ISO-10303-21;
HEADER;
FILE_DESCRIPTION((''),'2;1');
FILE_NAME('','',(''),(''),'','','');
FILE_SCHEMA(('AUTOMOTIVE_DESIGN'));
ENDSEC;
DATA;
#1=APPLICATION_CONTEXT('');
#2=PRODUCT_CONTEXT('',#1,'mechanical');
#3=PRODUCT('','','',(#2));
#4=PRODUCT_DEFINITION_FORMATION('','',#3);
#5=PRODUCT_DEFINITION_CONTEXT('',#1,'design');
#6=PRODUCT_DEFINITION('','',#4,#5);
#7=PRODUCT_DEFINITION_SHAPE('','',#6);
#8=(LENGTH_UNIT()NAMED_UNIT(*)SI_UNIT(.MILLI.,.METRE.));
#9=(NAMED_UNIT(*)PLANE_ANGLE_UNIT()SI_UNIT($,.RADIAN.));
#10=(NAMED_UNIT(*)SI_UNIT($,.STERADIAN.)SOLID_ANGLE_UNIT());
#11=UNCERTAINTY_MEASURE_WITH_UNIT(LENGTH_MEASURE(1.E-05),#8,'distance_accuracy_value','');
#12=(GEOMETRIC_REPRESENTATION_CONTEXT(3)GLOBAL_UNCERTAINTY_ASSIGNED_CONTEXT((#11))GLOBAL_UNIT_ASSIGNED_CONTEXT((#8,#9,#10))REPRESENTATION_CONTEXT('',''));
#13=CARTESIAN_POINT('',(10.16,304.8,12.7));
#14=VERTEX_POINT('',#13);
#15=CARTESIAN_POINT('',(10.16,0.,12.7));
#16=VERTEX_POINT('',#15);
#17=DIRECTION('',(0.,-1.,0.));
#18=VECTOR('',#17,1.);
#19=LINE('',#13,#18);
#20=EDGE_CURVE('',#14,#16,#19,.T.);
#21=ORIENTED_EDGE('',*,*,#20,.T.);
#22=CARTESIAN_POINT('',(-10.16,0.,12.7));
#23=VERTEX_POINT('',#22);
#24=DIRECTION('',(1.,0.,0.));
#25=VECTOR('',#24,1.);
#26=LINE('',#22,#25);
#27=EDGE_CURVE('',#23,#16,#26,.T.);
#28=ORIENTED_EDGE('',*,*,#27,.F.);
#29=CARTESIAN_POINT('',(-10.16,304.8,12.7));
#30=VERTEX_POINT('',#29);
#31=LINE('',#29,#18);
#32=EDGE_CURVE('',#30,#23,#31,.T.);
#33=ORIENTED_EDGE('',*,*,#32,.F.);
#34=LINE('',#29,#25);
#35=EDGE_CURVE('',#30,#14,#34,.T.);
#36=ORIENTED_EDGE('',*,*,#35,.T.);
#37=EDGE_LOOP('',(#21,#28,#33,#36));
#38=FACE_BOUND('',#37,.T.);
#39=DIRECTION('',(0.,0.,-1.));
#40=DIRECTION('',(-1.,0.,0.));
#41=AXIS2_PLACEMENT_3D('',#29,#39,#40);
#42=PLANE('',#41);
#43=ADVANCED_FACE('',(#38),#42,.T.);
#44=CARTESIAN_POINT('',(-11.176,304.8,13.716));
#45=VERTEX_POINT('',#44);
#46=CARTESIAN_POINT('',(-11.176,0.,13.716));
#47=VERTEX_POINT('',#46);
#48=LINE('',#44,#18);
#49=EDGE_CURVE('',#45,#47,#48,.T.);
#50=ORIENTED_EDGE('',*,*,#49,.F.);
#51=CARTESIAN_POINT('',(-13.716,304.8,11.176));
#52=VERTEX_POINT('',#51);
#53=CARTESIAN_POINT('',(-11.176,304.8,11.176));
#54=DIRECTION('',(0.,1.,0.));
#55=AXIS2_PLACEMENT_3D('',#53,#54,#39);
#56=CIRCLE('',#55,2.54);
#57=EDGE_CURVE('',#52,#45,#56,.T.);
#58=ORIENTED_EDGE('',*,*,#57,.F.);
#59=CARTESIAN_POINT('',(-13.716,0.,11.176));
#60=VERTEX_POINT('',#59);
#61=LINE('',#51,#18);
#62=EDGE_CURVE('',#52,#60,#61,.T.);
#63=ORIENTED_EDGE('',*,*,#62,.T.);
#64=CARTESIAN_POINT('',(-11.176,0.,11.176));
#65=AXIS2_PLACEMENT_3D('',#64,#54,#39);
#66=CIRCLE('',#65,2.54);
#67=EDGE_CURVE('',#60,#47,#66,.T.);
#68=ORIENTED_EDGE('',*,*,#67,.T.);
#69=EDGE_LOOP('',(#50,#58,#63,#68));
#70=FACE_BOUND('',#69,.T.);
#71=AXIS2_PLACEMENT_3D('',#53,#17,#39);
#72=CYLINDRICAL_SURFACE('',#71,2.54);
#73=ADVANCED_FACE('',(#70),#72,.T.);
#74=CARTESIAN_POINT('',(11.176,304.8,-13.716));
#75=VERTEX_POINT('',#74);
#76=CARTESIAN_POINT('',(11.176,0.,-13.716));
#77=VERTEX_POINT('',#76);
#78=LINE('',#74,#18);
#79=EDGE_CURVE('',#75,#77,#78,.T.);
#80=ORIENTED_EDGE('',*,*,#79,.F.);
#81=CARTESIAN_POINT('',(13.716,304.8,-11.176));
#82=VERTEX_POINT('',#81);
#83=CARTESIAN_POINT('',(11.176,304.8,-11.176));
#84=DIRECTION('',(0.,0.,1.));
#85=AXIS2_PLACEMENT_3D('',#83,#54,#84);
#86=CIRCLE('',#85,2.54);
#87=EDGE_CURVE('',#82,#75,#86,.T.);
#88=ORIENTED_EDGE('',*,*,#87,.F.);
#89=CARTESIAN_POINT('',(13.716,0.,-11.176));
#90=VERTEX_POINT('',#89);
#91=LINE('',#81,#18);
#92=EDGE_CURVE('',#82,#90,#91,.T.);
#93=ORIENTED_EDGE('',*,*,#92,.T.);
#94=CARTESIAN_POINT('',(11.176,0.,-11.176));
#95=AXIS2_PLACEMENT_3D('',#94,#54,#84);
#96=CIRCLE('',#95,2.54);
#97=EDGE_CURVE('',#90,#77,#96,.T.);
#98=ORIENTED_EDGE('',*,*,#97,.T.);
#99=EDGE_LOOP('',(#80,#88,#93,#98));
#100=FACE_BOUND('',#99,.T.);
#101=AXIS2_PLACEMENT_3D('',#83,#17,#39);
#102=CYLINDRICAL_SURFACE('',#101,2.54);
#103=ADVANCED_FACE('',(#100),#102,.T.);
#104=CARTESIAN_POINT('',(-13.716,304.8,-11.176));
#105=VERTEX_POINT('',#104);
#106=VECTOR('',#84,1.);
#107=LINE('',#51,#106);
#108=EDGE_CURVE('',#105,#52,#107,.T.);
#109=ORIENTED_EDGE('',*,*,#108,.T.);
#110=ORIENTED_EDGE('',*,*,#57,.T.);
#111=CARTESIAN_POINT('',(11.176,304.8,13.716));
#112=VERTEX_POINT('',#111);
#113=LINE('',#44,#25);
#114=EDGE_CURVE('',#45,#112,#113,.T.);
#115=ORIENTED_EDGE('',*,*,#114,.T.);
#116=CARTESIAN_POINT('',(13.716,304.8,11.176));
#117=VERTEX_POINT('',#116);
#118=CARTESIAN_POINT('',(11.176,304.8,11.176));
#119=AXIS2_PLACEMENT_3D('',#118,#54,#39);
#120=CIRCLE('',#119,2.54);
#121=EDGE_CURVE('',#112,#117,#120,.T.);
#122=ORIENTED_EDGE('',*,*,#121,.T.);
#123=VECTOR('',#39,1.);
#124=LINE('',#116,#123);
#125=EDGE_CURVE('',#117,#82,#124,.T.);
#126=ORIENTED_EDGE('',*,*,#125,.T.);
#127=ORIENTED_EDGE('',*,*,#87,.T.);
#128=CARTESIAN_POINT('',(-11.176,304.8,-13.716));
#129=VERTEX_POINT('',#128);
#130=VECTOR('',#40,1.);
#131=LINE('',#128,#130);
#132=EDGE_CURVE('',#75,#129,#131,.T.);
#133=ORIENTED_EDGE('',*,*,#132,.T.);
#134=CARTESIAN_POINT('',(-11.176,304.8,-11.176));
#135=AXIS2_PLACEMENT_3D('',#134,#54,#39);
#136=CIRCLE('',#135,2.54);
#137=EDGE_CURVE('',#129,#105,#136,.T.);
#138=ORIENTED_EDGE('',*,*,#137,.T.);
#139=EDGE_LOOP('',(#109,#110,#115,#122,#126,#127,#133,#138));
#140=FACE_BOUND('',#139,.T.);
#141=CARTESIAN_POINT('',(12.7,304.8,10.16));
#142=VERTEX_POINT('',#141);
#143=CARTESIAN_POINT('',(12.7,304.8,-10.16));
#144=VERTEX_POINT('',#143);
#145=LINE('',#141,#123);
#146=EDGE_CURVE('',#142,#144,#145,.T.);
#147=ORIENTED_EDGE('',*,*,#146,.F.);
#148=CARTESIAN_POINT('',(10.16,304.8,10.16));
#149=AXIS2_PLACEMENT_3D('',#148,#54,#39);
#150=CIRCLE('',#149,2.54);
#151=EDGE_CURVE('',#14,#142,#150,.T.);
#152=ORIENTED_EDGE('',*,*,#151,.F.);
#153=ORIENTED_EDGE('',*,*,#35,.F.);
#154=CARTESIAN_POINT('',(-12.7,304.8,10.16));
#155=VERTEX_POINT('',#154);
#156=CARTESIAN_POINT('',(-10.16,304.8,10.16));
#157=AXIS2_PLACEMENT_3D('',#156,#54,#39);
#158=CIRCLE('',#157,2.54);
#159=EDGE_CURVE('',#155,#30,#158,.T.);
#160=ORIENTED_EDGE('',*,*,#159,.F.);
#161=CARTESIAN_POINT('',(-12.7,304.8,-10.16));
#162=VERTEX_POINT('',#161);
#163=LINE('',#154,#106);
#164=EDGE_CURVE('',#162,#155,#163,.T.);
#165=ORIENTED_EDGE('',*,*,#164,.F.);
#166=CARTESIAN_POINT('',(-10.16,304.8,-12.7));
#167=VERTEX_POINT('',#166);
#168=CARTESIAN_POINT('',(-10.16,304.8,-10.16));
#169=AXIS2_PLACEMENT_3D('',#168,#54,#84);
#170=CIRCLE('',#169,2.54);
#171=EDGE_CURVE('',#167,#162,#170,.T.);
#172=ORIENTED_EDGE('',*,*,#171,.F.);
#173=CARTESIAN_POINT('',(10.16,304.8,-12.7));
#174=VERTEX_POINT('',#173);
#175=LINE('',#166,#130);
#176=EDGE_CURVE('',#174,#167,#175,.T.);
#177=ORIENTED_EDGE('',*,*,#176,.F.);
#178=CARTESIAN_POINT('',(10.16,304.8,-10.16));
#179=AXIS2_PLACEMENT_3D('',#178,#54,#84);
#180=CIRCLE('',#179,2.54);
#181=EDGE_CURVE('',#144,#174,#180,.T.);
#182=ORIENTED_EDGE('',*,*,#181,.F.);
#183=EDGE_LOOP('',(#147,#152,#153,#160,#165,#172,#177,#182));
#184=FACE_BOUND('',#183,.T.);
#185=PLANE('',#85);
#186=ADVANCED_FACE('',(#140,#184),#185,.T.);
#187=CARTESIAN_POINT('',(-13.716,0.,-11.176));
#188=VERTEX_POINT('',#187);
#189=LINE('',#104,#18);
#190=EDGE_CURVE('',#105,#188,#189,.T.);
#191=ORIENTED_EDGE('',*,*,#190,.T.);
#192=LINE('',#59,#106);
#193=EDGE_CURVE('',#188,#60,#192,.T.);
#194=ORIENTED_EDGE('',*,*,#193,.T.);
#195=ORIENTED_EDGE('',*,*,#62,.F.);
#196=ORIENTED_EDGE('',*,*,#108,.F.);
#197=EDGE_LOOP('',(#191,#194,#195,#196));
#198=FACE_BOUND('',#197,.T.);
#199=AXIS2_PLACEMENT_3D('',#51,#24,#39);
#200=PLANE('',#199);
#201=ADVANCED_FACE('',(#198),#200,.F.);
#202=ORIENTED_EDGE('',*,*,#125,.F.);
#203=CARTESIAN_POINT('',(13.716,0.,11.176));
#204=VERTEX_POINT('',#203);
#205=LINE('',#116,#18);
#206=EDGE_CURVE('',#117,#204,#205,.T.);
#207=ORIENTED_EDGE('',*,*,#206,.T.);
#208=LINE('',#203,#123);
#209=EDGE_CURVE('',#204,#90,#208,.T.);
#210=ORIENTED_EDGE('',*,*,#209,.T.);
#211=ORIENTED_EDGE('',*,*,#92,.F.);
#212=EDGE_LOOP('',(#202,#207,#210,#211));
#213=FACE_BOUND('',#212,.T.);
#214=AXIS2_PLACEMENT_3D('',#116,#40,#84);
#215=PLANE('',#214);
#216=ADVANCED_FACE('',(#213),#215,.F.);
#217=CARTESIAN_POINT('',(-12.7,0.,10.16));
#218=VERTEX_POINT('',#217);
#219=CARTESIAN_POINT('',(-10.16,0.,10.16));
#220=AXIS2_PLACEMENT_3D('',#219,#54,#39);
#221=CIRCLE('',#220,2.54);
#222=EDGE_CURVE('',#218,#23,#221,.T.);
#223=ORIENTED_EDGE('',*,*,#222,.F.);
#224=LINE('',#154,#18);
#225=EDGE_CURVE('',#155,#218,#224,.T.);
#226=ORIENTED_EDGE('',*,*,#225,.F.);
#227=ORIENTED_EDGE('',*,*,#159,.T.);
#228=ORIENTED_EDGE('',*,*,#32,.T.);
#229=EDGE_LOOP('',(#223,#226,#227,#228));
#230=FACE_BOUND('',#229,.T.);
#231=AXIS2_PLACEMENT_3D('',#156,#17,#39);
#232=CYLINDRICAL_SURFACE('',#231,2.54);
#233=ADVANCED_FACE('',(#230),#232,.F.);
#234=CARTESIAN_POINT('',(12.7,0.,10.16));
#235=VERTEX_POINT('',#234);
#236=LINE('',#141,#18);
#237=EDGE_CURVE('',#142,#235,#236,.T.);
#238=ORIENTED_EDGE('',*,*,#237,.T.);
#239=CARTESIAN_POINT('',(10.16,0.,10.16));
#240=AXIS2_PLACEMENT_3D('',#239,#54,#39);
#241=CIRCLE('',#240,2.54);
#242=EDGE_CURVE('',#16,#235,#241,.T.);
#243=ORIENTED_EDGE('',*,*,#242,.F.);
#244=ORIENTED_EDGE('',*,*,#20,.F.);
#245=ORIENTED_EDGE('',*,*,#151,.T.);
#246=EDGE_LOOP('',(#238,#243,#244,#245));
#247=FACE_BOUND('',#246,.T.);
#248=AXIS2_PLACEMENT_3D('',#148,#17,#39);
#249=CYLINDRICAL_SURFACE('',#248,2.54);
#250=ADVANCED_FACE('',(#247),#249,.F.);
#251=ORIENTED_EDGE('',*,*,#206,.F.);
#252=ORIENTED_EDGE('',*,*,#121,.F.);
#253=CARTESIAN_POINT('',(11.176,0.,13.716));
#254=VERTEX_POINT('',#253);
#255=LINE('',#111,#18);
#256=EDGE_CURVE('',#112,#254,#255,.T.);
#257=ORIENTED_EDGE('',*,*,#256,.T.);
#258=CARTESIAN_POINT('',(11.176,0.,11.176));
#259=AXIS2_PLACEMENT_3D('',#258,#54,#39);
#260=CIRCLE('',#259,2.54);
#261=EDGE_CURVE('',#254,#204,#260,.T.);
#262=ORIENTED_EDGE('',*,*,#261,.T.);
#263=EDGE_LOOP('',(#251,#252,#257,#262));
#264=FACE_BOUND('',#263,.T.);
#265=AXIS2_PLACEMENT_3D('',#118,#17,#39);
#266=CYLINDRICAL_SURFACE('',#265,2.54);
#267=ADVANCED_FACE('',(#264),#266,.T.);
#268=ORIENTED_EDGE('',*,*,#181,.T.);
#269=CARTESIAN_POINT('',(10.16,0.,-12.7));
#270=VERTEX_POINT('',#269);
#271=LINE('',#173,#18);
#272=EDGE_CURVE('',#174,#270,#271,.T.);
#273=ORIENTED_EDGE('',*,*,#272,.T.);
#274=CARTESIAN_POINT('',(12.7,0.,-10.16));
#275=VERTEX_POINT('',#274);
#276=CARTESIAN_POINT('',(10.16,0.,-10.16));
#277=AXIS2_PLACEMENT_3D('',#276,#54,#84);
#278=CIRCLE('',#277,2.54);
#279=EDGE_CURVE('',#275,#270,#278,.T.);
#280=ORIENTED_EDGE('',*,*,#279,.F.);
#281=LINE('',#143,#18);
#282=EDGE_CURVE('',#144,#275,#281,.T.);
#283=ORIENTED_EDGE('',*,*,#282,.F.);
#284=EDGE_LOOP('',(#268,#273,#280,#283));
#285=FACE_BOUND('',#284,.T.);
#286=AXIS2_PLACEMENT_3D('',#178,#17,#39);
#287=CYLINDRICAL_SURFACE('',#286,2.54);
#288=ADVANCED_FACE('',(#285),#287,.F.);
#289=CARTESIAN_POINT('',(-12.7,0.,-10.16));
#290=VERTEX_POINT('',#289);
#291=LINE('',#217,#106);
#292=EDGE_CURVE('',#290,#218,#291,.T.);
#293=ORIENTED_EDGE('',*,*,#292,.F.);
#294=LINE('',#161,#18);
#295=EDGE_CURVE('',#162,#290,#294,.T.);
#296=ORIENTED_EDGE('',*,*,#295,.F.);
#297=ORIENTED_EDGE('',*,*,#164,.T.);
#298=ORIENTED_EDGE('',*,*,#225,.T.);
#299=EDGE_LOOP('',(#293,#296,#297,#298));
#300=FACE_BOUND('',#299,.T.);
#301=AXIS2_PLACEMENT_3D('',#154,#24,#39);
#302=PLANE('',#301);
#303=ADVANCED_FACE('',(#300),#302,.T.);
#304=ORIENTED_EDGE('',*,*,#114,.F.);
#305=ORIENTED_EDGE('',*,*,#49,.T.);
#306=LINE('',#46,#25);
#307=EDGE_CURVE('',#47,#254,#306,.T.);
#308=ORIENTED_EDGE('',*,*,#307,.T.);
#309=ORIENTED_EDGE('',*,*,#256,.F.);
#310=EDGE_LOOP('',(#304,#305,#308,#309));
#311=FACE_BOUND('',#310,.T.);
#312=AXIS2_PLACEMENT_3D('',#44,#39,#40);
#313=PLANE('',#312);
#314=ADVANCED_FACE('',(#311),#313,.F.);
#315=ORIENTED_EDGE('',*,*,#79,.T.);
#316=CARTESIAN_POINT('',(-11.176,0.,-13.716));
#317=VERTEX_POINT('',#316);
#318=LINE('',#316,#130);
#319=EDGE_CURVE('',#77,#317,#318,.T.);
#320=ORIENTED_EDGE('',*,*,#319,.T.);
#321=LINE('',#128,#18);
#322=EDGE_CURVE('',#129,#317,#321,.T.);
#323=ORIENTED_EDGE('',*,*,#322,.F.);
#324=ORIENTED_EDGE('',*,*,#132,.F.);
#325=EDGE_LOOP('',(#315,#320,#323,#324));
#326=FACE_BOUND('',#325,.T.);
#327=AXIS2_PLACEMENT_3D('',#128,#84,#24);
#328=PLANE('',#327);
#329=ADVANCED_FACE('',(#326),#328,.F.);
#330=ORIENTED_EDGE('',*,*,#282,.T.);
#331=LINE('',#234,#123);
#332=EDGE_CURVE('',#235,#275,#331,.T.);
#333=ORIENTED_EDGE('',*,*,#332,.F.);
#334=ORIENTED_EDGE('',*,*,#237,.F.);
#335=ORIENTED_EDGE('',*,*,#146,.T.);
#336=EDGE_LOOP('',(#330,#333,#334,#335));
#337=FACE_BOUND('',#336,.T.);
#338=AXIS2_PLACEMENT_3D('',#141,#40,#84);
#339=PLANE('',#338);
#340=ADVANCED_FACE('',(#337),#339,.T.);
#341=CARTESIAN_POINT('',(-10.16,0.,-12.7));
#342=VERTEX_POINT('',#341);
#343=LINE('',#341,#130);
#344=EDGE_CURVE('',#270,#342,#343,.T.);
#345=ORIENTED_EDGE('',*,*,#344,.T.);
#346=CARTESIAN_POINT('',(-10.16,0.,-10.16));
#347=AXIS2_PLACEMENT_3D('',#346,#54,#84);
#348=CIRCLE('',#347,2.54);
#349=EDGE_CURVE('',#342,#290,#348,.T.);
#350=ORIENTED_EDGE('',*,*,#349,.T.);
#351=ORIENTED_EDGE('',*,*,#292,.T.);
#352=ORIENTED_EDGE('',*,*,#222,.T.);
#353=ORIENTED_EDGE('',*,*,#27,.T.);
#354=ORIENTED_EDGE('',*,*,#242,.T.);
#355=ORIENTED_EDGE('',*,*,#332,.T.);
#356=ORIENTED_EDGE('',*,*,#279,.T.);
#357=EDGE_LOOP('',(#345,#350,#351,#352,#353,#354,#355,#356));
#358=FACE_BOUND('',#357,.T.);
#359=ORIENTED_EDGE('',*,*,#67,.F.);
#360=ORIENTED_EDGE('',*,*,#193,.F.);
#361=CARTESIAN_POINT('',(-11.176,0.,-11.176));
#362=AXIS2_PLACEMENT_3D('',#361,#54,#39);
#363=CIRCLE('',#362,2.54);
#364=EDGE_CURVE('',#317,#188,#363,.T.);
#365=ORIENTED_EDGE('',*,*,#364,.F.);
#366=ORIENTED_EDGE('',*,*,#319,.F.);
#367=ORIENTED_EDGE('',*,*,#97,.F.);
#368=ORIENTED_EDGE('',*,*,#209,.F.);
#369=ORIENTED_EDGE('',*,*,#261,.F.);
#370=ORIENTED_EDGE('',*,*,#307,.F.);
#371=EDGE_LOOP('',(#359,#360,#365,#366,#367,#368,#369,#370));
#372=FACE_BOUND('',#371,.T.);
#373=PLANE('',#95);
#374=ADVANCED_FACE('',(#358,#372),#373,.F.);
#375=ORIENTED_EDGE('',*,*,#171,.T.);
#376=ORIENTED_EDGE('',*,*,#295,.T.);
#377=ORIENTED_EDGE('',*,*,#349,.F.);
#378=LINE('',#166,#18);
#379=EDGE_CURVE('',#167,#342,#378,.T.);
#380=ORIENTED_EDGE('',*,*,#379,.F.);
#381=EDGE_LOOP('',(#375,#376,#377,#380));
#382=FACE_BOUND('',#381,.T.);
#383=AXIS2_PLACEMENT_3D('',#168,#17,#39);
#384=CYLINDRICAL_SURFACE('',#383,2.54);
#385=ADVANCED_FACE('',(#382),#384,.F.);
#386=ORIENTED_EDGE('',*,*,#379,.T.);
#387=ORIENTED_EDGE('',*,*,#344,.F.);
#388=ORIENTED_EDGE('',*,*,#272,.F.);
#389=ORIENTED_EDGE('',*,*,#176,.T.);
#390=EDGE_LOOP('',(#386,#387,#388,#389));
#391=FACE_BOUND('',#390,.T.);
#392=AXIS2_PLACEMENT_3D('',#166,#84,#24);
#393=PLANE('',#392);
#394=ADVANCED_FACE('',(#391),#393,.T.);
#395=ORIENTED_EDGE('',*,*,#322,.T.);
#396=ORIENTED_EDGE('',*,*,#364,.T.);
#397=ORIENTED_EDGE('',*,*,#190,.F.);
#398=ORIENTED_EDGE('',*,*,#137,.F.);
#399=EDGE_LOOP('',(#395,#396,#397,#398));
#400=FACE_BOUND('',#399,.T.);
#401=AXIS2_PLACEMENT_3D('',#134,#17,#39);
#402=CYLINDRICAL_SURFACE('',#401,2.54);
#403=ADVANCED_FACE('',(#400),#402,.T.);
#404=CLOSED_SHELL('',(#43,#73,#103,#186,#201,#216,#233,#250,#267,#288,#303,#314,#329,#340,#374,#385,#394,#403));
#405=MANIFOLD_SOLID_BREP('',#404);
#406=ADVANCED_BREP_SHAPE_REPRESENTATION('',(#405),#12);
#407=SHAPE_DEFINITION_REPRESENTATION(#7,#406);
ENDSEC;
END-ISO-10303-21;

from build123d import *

# Parameters (mm, degrees)
BOSS_EXTRUDE1_DEPTH = 304.8


with BuildPart() as part:
    # Sketch1 → Boss-Extrude1 (new body)
    with BuildSketch(Plane(origin=(0, 0, 0), x_dir=(1, 0, 0), z_dir=(0, 1, 0))):
        with BuildLine():
            Line((-11.176, -13.716), (11.176, -13.716))
            ThreePointArc((11.176, -13.716), (12.972051224, -12.972051224), (13.716, -11.176))
            Line((13.716, -11.176), (13.716, 11.176))
            ThreePointArc((13.716, 11.176), (12.972051224, 12.972051224), (11.176, 13.716))
            Line((11.176, 13.716), (-11.176, 13.716))
            ThreePointArc((-11.176, 13.716), (-12.972051224, 12.972051224), (-13.716, 11.176))
            Line((-13.716, 11.176), (-13.716, -11.176))
            ThreePointArc((-13.716, -11.176), (-12.972051224, -12.972051224), (-11.176, -13.716))
        make_face()
        with BuildLine():
            Line((-10.16, -12.7), (10.16, -12.7))
            ThreePointArc((10.16, -12.7), (11.956051224, -11.956051224), (12.7, -10.16))
            Line((12.7, -10.16), (12.7, 10.16))
            ThreePointArc((12.7, 10.16), (11.956051224, 11.956051224), (10.16, 12.7))
            Line((10.16, 12.7), (-10.16, 12.7))
            ThreePointArc((-10.16, 12.7), (-11.956051224, 11.956051224), (-12.7, 10.16))
            Line((-12.7, 10.16), (-12.7, -10.16))
            ThreePointArc((-12.7, -10.16), (-11.956051224, -11.956051224), (-10.16, -12.7))
        make_face(mode=Mode.SUBTRACT)
    extrude(amount=BOSS_EXTRUDE1_DEPTH)


solid = part.part
